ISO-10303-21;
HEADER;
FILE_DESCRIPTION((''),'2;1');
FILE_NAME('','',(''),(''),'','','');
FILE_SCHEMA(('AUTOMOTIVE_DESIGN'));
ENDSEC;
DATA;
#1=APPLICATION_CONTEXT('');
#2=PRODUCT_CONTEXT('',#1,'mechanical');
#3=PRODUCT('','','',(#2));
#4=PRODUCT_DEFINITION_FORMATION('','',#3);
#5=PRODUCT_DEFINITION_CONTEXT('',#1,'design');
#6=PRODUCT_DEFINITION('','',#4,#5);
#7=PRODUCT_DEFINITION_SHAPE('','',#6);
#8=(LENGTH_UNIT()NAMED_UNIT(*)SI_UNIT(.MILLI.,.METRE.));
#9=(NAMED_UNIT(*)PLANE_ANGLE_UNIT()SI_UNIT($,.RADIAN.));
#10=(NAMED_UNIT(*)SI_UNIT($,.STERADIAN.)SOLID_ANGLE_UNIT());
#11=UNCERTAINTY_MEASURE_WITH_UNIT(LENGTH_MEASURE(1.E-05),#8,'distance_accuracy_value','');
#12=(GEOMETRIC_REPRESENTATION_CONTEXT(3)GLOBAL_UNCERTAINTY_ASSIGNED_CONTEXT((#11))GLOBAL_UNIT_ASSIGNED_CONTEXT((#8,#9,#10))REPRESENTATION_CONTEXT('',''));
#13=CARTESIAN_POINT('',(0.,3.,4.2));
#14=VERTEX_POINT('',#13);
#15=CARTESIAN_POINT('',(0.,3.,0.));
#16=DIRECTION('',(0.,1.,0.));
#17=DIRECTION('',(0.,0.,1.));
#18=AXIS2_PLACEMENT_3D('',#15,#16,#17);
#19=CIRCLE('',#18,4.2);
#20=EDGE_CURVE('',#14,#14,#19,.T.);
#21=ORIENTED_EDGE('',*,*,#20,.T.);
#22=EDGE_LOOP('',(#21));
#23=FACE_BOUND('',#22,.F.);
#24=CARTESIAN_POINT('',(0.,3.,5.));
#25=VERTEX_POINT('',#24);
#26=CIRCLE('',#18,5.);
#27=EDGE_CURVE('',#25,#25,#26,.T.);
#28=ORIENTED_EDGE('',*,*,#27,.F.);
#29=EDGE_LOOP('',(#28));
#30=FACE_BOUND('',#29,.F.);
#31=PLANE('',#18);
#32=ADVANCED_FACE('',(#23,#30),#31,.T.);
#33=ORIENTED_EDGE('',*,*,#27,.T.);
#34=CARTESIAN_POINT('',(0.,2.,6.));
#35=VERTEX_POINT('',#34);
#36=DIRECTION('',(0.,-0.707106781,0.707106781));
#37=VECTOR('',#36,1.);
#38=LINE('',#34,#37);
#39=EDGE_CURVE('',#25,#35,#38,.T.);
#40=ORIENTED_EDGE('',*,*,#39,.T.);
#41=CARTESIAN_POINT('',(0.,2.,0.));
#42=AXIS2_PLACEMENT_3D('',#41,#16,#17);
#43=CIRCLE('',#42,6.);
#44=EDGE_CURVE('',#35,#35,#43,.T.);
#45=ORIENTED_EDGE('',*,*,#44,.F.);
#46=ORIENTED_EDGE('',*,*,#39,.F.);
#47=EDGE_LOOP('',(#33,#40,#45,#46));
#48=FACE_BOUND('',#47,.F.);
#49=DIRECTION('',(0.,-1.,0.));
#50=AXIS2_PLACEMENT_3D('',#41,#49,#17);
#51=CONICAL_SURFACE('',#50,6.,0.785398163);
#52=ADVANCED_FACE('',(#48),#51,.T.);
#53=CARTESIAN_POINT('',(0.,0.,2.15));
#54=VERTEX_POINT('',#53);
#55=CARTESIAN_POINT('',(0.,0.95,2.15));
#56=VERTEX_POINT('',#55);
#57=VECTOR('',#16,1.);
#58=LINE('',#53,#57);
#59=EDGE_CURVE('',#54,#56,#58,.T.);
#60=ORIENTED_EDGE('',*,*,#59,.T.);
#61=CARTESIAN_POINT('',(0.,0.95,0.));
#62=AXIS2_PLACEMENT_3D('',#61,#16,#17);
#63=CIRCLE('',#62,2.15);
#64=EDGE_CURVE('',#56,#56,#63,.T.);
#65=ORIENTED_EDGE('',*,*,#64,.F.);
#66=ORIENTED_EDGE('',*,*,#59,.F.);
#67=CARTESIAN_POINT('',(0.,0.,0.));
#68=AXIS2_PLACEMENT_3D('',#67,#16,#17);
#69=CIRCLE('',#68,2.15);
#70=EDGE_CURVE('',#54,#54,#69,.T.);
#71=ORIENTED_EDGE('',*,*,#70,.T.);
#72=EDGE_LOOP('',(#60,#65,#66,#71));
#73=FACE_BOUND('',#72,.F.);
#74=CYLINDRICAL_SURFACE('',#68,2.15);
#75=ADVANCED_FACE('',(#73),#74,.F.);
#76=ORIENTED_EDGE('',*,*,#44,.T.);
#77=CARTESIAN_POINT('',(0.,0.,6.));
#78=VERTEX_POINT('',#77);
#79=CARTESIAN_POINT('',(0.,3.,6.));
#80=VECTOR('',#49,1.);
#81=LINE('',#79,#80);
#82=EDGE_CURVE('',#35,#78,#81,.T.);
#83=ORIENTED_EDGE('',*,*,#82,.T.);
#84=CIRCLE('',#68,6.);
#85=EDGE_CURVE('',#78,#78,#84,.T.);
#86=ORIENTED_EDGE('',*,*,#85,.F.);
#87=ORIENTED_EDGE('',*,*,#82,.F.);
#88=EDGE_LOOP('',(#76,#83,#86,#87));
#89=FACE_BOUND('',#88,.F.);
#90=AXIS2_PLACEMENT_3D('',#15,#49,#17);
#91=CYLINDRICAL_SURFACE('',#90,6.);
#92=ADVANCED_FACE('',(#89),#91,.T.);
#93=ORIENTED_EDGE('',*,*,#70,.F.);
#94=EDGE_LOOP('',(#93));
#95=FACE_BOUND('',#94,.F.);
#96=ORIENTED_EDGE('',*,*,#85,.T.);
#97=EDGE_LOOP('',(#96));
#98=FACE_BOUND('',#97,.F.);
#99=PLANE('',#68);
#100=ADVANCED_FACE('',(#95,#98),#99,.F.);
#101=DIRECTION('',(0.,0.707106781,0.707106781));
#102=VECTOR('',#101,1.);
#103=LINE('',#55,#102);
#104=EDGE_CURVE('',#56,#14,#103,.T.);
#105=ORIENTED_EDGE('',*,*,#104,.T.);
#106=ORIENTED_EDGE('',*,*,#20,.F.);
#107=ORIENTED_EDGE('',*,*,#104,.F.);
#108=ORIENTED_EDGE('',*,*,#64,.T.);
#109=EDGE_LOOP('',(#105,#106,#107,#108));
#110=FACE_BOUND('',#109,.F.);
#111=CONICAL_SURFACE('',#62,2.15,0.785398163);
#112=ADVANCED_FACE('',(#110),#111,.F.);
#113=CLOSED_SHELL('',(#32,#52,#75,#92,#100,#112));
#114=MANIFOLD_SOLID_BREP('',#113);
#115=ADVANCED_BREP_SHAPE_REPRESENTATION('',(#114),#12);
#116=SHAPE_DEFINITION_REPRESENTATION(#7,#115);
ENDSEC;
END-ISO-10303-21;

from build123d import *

# Parameters (mm, degrees)
F2_SIZE = 1


with BuildPart() as f1:
    # F0 (on Right) → F1 (revolve)
    with BuildSketch(Plane.YZ):
        Polygon((0, 6), (0, 2.15), (0.95, 2.15), (3, 4.2), (3, 6), align=None)
    revolve(axis=Axis((0, 1.5, 0), (0, 1, 0)))

    # F2
    f2_edges = [f1.edges().sort_by_distance(p)[0] for p in [
        (0, 3, -6),
    ]]
    chamfer(f2_edges, length=F2_SIZE)


solid = f1.part
